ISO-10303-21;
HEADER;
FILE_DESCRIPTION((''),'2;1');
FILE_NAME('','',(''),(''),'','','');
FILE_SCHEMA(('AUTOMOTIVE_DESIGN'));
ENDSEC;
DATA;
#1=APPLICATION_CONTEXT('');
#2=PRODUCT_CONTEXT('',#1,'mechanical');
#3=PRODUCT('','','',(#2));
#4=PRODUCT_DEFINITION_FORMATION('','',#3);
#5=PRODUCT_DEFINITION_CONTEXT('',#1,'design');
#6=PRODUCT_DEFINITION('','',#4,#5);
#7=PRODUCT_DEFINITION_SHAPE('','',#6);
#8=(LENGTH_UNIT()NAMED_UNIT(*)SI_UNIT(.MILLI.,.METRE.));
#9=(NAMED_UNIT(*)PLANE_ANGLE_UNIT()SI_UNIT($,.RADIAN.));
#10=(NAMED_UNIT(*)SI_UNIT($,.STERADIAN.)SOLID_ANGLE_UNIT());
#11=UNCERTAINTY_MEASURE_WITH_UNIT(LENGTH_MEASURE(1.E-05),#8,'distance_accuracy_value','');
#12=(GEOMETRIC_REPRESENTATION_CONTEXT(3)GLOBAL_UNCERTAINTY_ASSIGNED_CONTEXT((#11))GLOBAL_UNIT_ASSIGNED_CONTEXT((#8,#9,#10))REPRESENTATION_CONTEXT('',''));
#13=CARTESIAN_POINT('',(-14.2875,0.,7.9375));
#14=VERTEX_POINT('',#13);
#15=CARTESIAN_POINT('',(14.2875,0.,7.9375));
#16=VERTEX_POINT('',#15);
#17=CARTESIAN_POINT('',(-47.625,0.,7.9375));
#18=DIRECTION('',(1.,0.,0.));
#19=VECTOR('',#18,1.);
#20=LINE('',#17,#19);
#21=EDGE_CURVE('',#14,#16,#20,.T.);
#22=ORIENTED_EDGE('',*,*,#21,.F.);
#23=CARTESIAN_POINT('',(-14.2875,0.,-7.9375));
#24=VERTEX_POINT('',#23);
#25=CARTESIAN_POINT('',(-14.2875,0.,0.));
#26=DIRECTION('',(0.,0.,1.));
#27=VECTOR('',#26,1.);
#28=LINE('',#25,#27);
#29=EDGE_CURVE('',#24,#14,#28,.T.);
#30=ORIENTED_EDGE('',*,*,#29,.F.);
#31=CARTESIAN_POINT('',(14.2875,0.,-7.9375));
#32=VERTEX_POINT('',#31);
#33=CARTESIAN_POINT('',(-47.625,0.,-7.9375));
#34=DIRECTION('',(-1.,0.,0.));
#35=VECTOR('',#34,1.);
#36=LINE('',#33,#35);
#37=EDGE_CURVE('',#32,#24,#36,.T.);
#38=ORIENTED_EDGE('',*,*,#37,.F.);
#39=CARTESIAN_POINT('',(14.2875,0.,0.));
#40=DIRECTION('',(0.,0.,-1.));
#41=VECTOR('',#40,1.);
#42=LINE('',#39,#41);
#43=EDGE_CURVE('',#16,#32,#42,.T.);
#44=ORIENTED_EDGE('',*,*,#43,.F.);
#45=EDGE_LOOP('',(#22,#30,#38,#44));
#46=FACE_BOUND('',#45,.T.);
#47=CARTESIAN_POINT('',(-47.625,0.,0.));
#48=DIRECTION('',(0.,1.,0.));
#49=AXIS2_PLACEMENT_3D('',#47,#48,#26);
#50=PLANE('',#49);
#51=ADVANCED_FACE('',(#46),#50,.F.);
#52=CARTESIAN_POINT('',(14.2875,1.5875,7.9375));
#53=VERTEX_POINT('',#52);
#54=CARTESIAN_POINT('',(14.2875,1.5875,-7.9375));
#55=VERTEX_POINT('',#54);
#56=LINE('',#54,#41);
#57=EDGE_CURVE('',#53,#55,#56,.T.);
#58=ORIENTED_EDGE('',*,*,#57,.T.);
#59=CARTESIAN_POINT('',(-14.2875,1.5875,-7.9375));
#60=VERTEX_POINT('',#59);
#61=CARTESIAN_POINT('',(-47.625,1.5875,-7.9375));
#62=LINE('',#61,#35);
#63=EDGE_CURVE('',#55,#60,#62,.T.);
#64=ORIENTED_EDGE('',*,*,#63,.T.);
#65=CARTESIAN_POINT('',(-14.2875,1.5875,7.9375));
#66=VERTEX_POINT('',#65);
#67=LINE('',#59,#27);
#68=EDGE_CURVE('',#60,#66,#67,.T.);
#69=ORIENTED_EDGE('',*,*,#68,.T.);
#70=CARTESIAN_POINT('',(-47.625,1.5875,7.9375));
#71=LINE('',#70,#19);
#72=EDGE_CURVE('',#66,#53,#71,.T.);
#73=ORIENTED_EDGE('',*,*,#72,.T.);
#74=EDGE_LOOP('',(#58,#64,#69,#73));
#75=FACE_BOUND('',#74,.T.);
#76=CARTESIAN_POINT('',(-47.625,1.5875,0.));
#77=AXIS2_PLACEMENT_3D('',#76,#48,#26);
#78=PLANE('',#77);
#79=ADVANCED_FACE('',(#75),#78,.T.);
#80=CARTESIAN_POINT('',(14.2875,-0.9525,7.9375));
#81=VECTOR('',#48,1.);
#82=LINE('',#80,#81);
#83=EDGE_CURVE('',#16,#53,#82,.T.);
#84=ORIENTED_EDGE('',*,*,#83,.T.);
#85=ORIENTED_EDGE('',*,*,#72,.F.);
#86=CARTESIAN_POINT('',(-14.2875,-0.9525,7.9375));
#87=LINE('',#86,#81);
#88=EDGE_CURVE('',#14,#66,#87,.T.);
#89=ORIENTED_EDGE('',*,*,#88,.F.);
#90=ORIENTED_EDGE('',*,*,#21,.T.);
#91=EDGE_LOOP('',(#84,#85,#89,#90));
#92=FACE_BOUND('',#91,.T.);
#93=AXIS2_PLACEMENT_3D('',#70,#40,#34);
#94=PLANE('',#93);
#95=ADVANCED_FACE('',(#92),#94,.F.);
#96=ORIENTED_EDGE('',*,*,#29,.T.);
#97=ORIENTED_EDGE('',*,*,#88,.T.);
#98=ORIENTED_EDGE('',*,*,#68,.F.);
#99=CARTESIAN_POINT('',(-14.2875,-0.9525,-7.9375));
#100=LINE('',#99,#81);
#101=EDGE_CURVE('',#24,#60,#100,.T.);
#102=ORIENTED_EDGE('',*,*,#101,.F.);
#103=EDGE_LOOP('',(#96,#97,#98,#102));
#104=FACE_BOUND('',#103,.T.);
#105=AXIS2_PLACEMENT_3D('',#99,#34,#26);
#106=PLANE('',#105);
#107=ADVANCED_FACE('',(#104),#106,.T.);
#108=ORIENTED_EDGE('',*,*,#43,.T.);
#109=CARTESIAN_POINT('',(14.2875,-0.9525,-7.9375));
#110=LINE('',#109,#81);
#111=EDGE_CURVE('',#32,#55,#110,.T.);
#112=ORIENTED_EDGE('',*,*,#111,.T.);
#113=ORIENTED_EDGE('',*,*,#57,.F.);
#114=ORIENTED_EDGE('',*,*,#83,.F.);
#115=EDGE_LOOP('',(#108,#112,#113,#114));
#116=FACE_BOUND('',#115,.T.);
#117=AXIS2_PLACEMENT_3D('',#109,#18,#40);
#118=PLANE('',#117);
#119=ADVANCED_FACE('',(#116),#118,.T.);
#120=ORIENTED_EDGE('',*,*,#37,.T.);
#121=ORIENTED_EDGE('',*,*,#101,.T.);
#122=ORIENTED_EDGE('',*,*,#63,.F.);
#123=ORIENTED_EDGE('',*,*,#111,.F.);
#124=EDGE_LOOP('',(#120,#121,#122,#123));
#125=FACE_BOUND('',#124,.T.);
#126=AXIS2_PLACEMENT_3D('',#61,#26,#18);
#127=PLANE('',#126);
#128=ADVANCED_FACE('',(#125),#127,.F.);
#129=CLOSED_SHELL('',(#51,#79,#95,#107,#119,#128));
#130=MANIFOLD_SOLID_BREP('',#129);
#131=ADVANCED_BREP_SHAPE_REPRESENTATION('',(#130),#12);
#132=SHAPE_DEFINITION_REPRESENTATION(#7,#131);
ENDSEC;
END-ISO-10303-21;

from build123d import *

# Parameters (mm, degrees)
BOSS_EXTRUDE1_DEPTH = 1.5875
SKETCH2_W           = 165.628666289
SKETCH2_H           = 57.268653068
SKETCH2_W_2         = 28.575
SKETCH2_H_2         = 15.875
CUT_EXTRUDE1_DEPTH  = 2.54


with BuildPart() as part:
    # Sketch1 → Boss-Extrude1 (new body)
    with BuildSketch(Plane(origin=(0, 0, 0), x_dir=(1, 0, 0), z_dir=(0, 1, 0))):
        with BuildLine():
            Line((-47.625, 7.9375), (47.625, 7.9375))
            ThreePointArc((47.625, 7.9375), (55.5625, 0), (47.625, -7.9375))
            Line((47.625, -7.9375), (-47.625, -7.9375))
            ThreePointArc((-47.625, -7.9375), (-55.5625, 0), (-47.625, 7.9375))
        make_face()
    extrude(amount=BOSS_EXTRUDE1_DEPTH)

    # Sketch2 → Cut-Extrude1 (cut)
    with BuildSketch(Plane(origin=(0, 1.5875, 0), x_dir=(1, 0, 0), z_dir=(0, 1, 0))):
        with Locations((0.064346802, 0.386080807)):
            Rectangle(SKETCH2_W, SKETCH2_H)
        Rectangle(SKETCH2_W_2, SKETCH2_H_2, mode=Mode.SUBTRACT)
    extrude(amount=-CUT_EXTRUDE1_DEPTH, mode=Mode.SUBTRACT)


solid = part.part
